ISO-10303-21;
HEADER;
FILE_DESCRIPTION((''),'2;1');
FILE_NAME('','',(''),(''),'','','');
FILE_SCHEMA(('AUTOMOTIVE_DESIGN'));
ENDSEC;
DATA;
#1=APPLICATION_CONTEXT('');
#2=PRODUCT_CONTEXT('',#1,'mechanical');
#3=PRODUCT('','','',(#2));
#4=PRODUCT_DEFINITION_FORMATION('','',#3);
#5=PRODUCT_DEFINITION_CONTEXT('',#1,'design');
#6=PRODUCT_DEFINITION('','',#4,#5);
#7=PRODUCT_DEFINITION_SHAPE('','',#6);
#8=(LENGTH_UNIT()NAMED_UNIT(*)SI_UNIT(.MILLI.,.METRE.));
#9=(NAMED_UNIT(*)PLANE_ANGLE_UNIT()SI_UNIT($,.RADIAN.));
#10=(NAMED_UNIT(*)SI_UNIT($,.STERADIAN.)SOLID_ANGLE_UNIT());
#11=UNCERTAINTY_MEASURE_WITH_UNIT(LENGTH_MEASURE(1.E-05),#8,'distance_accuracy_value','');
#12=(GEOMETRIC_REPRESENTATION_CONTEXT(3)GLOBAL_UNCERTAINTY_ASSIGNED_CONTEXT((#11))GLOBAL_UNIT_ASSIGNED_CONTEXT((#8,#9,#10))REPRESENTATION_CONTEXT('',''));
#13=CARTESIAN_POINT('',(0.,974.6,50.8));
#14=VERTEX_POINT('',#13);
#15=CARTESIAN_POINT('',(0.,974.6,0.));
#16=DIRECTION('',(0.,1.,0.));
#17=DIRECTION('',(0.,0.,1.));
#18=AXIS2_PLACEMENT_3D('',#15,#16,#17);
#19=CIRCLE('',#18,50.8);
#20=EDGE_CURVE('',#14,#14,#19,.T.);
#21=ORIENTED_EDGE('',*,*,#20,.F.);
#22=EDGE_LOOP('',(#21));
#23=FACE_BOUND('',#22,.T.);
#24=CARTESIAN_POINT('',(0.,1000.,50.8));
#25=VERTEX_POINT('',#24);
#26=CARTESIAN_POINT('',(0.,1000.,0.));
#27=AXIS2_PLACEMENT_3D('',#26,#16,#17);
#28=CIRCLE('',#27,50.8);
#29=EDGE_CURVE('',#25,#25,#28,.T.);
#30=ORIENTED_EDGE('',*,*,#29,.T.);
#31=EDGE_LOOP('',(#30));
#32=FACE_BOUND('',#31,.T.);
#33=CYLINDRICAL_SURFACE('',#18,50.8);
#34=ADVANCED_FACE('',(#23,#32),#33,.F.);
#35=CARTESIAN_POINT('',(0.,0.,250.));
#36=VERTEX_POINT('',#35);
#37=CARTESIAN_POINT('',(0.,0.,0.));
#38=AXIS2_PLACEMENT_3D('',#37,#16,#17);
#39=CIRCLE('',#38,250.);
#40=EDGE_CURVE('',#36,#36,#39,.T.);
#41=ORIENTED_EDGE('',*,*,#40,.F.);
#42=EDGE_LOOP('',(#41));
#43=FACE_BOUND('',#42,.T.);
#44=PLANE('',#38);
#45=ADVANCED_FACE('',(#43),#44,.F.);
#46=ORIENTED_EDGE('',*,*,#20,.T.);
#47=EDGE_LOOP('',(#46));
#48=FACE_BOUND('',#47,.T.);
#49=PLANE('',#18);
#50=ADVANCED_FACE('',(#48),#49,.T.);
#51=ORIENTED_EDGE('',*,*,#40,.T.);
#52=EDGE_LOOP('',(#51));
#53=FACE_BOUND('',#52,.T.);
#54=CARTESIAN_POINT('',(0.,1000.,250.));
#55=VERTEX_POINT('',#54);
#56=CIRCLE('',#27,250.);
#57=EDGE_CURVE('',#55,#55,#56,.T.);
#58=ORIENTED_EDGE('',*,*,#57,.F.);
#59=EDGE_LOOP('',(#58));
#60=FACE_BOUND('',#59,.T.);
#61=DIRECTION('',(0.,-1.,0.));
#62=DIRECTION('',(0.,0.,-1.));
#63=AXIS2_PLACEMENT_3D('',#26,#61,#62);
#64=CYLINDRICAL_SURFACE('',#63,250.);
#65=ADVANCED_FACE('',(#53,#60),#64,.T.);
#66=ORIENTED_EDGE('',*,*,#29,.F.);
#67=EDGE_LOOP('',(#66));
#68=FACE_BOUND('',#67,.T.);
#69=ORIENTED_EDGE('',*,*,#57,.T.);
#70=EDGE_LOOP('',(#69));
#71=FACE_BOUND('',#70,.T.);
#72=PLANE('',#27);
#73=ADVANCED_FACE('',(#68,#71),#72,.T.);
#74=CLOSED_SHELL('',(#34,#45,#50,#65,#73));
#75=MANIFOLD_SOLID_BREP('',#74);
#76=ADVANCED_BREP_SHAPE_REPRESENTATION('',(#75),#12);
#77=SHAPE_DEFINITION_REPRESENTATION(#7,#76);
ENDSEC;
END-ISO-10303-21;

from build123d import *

# Parameters (mm, degrees)
SKETCH1_R           = 250
BOSS_EXTRUDE1_DEPTH = 1000
SKETCH2_R           = 50.8
CUT_EXTRUDE1_DEPTH  = 25.4


with BuildPart() as part:
    # Sketch1 → Boss-Extrude1 (new body)
    with BuildSketch(Plane(origin=(0, 0, 0), x_dir=(1, 0, 0), z_dir=(0, 1, 0))):
        Circle(SKETCH1_R)
    extrude(amount=BOSS_EXTRUDE1_DEPTH)

    # Sketch2 → Cut-Extrude1 (cut)
    with BuildSketch(Plane(origin=(0, 1000, 0), x_dir=(1, 0, 0), z_dir=(0, 1, 0))):
        Circle(SKETCH2_R)
    extrude(amount=-CUT_EXTRUDE1_DEPTH, mode=Mode.SUBTRACT)


solid = part.part
